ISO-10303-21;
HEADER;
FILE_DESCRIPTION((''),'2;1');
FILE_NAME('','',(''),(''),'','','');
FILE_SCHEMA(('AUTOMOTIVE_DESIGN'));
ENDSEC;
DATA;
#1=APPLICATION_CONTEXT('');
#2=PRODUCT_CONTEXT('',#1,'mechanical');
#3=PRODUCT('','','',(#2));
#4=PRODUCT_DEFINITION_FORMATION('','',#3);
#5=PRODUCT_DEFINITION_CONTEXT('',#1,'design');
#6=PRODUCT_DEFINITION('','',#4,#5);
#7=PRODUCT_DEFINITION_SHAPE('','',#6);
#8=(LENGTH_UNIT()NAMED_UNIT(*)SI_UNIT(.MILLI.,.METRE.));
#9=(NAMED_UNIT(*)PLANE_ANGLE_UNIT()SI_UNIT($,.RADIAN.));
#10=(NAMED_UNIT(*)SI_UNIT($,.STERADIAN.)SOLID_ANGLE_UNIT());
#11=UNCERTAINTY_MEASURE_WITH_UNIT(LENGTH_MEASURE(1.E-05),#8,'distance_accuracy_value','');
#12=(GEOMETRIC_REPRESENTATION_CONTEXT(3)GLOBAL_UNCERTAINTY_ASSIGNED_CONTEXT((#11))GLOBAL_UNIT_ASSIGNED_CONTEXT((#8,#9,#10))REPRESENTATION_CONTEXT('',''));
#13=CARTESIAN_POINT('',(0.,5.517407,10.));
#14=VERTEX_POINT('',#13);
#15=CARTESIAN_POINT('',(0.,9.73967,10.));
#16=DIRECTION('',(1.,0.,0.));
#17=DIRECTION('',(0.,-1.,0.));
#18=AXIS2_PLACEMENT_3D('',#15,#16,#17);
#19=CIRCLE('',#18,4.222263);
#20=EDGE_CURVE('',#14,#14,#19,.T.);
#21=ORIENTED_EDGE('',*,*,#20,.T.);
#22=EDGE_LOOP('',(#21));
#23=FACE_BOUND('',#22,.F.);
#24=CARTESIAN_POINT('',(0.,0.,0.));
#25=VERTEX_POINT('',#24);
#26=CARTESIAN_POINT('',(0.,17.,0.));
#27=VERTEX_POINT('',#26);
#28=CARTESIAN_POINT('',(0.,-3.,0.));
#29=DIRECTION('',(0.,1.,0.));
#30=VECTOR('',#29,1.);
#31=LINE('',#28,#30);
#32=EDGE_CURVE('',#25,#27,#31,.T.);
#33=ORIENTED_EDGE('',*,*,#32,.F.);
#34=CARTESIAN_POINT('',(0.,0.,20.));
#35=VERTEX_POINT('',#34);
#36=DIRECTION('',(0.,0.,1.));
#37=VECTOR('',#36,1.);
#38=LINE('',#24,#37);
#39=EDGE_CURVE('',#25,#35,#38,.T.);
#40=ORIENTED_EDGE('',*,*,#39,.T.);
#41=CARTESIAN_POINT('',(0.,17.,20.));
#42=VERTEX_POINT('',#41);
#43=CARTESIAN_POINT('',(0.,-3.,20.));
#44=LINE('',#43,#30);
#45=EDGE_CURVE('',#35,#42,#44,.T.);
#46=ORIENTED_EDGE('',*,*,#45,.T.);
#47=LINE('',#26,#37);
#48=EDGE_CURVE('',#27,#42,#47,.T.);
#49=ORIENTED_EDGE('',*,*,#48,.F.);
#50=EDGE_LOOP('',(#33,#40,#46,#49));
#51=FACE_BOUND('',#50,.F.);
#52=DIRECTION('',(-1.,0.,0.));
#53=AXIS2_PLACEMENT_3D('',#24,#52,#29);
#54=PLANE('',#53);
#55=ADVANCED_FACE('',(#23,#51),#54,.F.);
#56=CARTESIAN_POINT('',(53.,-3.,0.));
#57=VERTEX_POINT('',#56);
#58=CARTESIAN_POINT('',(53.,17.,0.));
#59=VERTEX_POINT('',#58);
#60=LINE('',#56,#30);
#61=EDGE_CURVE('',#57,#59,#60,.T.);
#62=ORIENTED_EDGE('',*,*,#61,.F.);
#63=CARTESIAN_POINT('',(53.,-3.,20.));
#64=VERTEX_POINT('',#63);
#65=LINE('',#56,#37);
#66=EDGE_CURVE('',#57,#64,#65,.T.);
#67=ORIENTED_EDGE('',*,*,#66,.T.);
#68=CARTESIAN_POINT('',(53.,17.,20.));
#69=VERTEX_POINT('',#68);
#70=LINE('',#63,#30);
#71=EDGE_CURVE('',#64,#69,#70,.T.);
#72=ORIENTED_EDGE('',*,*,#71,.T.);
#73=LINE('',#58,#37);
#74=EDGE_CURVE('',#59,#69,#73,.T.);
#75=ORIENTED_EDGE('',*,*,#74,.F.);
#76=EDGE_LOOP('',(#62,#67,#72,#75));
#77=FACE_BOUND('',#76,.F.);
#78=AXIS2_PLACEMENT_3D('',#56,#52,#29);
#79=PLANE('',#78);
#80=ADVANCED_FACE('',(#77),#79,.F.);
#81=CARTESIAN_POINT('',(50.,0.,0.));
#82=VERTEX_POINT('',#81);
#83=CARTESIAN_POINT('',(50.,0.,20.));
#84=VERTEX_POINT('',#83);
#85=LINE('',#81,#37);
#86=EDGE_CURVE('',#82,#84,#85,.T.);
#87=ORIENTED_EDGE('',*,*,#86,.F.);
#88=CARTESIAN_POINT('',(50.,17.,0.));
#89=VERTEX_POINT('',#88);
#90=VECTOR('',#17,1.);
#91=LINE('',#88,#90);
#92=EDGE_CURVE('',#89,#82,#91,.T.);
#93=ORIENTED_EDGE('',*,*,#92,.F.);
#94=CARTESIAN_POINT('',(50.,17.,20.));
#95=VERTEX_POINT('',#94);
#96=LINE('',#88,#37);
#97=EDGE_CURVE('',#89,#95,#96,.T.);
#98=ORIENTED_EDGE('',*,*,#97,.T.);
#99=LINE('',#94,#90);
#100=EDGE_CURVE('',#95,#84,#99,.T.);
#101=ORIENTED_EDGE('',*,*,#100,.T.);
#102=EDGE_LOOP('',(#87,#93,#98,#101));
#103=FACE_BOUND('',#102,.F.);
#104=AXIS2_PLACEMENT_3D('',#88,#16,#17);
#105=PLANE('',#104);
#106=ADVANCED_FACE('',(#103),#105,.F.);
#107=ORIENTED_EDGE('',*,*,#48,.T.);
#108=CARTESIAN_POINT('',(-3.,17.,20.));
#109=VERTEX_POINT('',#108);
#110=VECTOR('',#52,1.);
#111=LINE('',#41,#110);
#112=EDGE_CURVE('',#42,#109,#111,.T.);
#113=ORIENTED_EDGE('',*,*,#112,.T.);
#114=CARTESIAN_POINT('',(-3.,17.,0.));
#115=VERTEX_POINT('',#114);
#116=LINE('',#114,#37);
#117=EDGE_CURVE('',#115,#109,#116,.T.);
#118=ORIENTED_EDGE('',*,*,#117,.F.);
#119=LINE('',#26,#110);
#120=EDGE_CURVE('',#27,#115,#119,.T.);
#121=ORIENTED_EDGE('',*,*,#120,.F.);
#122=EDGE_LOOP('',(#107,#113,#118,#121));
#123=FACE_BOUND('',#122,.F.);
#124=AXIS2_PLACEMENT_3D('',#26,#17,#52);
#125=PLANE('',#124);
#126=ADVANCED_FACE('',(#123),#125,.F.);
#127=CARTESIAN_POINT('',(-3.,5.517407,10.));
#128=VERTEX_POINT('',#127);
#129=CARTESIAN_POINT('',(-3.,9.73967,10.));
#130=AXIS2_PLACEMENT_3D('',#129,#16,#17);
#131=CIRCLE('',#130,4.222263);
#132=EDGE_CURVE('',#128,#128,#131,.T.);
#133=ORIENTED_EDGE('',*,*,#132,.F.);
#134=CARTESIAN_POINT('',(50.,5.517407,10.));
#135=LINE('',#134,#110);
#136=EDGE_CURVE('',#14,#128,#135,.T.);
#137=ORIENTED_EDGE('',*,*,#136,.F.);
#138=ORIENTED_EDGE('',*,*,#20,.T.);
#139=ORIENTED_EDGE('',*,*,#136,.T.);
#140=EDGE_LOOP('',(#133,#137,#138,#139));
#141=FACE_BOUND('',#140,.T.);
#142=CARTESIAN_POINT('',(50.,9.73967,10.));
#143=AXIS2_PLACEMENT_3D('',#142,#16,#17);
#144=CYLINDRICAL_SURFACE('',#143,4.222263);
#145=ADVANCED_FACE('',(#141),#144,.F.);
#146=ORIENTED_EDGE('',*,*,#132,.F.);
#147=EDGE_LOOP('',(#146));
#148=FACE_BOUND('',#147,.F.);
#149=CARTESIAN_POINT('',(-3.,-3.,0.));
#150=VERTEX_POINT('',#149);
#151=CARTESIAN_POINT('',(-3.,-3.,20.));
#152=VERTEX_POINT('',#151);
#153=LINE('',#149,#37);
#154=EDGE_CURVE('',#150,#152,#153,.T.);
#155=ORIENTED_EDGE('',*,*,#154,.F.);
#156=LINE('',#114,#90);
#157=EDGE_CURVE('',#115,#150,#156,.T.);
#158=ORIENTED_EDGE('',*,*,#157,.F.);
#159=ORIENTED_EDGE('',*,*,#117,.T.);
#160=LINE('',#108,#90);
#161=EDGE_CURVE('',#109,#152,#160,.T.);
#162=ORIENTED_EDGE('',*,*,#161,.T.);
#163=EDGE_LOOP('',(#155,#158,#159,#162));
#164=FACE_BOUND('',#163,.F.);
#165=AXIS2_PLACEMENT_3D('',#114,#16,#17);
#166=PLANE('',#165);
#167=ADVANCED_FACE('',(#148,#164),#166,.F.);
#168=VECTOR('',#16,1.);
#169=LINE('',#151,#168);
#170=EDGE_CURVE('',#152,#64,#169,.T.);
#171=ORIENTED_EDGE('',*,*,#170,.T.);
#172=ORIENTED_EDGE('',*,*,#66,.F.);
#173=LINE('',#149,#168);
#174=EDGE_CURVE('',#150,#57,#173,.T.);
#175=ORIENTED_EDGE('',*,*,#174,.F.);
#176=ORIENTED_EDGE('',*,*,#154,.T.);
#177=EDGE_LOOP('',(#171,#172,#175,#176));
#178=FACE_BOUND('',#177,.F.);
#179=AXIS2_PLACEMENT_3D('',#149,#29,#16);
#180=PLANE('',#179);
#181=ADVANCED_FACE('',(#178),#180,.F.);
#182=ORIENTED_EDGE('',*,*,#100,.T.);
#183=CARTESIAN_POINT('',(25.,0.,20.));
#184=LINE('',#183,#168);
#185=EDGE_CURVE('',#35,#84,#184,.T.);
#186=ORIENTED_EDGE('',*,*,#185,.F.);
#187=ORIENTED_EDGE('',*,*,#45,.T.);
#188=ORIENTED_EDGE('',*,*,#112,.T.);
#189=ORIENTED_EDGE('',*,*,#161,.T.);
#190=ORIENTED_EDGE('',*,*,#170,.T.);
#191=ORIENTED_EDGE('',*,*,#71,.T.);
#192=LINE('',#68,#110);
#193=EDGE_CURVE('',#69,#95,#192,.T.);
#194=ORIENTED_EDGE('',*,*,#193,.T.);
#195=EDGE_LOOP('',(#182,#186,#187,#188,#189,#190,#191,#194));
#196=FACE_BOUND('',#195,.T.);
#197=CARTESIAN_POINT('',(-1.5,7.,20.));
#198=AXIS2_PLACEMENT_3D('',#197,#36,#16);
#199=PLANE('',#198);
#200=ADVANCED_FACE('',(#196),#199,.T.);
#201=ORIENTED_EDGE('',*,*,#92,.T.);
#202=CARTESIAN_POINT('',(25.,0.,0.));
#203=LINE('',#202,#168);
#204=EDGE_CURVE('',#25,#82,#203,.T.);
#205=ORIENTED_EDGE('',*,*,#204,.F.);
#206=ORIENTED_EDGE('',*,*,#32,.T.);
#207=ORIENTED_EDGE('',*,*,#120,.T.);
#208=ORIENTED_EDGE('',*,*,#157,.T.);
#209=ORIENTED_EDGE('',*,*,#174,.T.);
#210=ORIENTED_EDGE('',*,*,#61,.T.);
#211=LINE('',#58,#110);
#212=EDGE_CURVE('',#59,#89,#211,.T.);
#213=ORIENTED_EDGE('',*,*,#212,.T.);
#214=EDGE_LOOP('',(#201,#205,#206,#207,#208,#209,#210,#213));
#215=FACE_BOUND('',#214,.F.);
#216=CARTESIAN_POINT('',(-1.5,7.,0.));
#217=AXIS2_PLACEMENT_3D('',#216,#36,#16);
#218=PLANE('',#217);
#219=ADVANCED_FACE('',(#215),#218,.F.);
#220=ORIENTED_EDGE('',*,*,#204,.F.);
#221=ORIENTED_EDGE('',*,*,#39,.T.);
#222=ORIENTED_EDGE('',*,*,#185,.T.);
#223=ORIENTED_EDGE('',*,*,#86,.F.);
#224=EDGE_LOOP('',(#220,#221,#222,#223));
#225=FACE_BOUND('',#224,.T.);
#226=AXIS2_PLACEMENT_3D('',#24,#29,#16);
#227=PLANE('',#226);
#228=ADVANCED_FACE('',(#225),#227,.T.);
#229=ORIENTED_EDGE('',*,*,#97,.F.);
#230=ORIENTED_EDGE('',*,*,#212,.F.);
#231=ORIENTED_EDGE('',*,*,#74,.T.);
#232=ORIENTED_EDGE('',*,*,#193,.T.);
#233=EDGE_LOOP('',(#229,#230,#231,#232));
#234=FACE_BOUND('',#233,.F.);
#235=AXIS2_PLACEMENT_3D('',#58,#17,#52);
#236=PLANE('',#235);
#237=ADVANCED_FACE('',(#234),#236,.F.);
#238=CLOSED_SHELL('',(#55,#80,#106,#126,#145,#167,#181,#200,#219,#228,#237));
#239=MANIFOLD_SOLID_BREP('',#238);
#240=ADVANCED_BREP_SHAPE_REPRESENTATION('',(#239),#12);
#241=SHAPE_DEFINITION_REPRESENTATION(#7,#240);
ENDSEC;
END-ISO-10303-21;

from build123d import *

# Parameters (mm, degrees)
F0_W     = 50
F0_H     = 3
F1_DEPTH = 20
F2_R     = 4.222263
F3_DEPTH = 98.7


with BuildPart() as f1:
    # F0 (on Top) → F1 (new body)
    with BuildSketch(Plane.XY):
        Polygon((0, -3), (0, 0), (0, 17), (-3, 17), (-3, -3), align=None)
        Polygon((50, 17), (50, 0), (50, -3), (53, -3), (53, 17), align=None)
        with Locations((25, -1.5)):
            Rectangle(F0_W, F0_H)
    extrude(amount=F1_DEPTH)

    # F2 (on face) → F3 (cut)
    with BuildSketch(Plane(origin=(50, 0, 0), x_dir=(0, -1, 0), z_dir=(-1, 0, 0))):
        with Locations((-9.73967, 10)):
            Circle(F2_R)
    extrude(amount=F3_DEPTH, mode=Mode.SUBTRACT)


solid = f1.part
